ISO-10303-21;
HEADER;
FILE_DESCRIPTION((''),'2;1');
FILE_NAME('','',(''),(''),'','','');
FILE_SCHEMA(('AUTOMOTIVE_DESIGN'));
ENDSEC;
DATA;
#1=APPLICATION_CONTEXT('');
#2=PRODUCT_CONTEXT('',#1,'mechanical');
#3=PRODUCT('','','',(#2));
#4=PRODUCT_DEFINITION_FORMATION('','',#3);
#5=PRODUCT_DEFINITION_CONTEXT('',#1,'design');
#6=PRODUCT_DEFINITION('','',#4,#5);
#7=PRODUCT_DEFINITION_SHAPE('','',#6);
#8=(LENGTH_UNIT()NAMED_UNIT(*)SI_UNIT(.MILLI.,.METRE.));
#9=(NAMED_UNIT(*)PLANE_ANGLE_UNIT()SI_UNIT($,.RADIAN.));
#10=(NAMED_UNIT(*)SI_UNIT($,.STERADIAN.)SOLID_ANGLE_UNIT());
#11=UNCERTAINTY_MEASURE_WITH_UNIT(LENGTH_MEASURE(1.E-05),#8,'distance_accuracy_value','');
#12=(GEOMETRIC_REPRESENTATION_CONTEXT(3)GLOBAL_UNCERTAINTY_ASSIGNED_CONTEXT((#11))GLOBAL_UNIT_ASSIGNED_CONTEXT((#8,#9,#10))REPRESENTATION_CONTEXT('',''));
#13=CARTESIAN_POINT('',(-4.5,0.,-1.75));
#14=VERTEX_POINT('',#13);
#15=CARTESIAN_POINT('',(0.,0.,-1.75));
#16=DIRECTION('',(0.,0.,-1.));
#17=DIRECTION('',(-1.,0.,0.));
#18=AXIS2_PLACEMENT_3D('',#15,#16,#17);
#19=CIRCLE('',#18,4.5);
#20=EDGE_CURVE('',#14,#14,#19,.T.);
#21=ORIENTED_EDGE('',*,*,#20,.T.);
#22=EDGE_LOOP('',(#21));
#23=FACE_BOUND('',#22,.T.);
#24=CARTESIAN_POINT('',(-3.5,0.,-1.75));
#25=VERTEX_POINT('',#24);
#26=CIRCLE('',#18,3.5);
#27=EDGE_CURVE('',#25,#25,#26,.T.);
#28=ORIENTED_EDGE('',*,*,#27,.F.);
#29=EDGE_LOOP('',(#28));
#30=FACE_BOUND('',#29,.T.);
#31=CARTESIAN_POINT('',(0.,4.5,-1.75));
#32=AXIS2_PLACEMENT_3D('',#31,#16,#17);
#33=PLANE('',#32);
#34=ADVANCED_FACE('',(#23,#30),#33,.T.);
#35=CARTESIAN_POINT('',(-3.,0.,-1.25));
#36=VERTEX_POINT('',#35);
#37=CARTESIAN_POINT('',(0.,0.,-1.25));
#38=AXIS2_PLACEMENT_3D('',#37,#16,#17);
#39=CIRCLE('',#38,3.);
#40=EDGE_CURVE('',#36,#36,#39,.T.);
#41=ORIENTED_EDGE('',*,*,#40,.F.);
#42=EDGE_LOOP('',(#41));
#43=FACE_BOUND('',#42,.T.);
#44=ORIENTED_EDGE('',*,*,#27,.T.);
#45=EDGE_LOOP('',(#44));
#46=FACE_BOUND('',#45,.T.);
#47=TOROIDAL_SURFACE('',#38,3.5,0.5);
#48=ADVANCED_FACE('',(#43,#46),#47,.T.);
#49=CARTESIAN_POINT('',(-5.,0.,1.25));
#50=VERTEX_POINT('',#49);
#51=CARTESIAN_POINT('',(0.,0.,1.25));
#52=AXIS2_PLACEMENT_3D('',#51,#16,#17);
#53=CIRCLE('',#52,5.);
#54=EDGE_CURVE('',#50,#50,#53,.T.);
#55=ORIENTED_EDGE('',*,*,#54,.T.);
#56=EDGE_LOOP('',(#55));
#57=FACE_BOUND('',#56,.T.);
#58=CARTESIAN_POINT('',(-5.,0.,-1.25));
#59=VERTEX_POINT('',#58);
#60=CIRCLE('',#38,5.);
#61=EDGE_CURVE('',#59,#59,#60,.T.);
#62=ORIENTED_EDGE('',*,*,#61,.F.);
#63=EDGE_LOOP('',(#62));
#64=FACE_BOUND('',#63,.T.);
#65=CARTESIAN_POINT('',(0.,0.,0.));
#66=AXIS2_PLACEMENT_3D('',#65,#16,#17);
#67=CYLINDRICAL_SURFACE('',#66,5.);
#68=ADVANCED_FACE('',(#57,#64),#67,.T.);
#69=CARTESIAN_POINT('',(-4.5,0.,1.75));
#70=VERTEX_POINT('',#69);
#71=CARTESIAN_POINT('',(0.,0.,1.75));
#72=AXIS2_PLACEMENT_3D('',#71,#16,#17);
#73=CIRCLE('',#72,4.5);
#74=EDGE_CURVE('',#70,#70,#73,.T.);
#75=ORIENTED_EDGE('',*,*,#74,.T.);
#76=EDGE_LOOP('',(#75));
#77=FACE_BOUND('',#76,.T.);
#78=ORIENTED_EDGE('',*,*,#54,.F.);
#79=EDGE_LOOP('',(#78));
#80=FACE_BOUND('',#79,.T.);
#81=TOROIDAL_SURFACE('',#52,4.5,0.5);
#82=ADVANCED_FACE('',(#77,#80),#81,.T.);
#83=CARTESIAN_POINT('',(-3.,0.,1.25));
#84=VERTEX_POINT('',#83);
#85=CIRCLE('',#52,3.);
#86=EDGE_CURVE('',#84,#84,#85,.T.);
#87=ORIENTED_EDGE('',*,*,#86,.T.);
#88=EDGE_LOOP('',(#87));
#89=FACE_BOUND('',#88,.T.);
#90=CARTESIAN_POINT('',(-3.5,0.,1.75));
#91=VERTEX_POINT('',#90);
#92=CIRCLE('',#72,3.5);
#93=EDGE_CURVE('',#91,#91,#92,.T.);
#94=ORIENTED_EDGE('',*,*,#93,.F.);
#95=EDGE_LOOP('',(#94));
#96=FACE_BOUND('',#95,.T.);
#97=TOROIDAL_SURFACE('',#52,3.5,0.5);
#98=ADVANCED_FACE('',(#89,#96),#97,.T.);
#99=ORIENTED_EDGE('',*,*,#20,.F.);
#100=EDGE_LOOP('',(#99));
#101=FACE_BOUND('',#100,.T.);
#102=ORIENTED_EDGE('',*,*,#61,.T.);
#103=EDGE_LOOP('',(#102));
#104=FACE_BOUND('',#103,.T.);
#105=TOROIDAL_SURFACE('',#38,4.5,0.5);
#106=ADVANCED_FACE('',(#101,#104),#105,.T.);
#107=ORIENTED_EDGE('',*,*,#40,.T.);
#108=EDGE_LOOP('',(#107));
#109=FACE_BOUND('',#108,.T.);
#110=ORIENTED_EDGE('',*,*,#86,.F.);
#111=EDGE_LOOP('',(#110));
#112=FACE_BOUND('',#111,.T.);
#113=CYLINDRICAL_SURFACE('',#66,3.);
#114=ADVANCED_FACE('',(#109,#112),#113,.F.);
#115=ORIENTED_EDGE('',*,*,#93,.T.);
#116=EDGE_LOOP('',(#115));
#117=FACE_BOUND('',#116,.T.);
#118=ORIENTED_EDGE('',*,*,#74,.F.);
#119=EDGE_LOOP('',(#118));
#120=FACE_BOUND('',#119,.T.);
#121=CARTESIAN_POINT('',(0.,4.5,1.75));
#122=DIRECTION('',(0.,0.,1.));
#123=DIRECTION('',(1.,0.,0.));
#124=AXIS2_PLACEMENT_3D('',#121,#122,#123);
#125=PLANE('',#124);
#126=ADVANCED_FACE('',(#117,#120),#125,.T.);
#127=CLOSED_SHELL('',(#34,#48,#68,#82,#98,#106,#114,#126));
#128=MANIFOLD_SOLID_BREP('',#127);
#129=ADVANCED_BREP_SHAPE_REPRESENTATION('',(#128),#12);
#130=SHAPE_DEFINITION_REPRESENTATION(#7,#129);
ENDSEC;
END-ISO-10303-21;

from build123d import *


with BuildPart() as part:
    # Esboço1 → Revolução1 (revolve)
    with BuildSketch(Plane(origin=(0, 0, 0), x_dir=(0, 0, -1), z_dir=(1, 0, 0)), mode=Mode.PRIVATE) as revolu_o1_sk:
        with BuildLine():
            Line((-1.25, 5), (1.25, 5))
            ThreePointArc((1.25, 5), (1.603553391, 4.853553391), (1.75, 4.5))
            Line((1.75, 4.5), (1.75, 3.5))
            ThreePointArc((1.75, 3.5), (1.603553391, 3.146446609), (1.25, 3))
            Line((1.25, 3), (-1.25, 3))
            ThreePointArc((-1.25, 3), (-1.603553391, 3.146446609), (-1.75, 3.5))
            Line((-1.75, 3.5), (-1.75, 4.5))
            ThreePointArc((-1.75, 4.5), (-1.603553391, 4.853553391), (-1.25, 5))
        make_face()
    revolve(revolu_o1_sk.sketch.rotate(Axis((0, 0, 0), (0, 0, 1)), 90), axis=Axis((0, 0, 0), (0, 0, 1)))


solid = part.part
